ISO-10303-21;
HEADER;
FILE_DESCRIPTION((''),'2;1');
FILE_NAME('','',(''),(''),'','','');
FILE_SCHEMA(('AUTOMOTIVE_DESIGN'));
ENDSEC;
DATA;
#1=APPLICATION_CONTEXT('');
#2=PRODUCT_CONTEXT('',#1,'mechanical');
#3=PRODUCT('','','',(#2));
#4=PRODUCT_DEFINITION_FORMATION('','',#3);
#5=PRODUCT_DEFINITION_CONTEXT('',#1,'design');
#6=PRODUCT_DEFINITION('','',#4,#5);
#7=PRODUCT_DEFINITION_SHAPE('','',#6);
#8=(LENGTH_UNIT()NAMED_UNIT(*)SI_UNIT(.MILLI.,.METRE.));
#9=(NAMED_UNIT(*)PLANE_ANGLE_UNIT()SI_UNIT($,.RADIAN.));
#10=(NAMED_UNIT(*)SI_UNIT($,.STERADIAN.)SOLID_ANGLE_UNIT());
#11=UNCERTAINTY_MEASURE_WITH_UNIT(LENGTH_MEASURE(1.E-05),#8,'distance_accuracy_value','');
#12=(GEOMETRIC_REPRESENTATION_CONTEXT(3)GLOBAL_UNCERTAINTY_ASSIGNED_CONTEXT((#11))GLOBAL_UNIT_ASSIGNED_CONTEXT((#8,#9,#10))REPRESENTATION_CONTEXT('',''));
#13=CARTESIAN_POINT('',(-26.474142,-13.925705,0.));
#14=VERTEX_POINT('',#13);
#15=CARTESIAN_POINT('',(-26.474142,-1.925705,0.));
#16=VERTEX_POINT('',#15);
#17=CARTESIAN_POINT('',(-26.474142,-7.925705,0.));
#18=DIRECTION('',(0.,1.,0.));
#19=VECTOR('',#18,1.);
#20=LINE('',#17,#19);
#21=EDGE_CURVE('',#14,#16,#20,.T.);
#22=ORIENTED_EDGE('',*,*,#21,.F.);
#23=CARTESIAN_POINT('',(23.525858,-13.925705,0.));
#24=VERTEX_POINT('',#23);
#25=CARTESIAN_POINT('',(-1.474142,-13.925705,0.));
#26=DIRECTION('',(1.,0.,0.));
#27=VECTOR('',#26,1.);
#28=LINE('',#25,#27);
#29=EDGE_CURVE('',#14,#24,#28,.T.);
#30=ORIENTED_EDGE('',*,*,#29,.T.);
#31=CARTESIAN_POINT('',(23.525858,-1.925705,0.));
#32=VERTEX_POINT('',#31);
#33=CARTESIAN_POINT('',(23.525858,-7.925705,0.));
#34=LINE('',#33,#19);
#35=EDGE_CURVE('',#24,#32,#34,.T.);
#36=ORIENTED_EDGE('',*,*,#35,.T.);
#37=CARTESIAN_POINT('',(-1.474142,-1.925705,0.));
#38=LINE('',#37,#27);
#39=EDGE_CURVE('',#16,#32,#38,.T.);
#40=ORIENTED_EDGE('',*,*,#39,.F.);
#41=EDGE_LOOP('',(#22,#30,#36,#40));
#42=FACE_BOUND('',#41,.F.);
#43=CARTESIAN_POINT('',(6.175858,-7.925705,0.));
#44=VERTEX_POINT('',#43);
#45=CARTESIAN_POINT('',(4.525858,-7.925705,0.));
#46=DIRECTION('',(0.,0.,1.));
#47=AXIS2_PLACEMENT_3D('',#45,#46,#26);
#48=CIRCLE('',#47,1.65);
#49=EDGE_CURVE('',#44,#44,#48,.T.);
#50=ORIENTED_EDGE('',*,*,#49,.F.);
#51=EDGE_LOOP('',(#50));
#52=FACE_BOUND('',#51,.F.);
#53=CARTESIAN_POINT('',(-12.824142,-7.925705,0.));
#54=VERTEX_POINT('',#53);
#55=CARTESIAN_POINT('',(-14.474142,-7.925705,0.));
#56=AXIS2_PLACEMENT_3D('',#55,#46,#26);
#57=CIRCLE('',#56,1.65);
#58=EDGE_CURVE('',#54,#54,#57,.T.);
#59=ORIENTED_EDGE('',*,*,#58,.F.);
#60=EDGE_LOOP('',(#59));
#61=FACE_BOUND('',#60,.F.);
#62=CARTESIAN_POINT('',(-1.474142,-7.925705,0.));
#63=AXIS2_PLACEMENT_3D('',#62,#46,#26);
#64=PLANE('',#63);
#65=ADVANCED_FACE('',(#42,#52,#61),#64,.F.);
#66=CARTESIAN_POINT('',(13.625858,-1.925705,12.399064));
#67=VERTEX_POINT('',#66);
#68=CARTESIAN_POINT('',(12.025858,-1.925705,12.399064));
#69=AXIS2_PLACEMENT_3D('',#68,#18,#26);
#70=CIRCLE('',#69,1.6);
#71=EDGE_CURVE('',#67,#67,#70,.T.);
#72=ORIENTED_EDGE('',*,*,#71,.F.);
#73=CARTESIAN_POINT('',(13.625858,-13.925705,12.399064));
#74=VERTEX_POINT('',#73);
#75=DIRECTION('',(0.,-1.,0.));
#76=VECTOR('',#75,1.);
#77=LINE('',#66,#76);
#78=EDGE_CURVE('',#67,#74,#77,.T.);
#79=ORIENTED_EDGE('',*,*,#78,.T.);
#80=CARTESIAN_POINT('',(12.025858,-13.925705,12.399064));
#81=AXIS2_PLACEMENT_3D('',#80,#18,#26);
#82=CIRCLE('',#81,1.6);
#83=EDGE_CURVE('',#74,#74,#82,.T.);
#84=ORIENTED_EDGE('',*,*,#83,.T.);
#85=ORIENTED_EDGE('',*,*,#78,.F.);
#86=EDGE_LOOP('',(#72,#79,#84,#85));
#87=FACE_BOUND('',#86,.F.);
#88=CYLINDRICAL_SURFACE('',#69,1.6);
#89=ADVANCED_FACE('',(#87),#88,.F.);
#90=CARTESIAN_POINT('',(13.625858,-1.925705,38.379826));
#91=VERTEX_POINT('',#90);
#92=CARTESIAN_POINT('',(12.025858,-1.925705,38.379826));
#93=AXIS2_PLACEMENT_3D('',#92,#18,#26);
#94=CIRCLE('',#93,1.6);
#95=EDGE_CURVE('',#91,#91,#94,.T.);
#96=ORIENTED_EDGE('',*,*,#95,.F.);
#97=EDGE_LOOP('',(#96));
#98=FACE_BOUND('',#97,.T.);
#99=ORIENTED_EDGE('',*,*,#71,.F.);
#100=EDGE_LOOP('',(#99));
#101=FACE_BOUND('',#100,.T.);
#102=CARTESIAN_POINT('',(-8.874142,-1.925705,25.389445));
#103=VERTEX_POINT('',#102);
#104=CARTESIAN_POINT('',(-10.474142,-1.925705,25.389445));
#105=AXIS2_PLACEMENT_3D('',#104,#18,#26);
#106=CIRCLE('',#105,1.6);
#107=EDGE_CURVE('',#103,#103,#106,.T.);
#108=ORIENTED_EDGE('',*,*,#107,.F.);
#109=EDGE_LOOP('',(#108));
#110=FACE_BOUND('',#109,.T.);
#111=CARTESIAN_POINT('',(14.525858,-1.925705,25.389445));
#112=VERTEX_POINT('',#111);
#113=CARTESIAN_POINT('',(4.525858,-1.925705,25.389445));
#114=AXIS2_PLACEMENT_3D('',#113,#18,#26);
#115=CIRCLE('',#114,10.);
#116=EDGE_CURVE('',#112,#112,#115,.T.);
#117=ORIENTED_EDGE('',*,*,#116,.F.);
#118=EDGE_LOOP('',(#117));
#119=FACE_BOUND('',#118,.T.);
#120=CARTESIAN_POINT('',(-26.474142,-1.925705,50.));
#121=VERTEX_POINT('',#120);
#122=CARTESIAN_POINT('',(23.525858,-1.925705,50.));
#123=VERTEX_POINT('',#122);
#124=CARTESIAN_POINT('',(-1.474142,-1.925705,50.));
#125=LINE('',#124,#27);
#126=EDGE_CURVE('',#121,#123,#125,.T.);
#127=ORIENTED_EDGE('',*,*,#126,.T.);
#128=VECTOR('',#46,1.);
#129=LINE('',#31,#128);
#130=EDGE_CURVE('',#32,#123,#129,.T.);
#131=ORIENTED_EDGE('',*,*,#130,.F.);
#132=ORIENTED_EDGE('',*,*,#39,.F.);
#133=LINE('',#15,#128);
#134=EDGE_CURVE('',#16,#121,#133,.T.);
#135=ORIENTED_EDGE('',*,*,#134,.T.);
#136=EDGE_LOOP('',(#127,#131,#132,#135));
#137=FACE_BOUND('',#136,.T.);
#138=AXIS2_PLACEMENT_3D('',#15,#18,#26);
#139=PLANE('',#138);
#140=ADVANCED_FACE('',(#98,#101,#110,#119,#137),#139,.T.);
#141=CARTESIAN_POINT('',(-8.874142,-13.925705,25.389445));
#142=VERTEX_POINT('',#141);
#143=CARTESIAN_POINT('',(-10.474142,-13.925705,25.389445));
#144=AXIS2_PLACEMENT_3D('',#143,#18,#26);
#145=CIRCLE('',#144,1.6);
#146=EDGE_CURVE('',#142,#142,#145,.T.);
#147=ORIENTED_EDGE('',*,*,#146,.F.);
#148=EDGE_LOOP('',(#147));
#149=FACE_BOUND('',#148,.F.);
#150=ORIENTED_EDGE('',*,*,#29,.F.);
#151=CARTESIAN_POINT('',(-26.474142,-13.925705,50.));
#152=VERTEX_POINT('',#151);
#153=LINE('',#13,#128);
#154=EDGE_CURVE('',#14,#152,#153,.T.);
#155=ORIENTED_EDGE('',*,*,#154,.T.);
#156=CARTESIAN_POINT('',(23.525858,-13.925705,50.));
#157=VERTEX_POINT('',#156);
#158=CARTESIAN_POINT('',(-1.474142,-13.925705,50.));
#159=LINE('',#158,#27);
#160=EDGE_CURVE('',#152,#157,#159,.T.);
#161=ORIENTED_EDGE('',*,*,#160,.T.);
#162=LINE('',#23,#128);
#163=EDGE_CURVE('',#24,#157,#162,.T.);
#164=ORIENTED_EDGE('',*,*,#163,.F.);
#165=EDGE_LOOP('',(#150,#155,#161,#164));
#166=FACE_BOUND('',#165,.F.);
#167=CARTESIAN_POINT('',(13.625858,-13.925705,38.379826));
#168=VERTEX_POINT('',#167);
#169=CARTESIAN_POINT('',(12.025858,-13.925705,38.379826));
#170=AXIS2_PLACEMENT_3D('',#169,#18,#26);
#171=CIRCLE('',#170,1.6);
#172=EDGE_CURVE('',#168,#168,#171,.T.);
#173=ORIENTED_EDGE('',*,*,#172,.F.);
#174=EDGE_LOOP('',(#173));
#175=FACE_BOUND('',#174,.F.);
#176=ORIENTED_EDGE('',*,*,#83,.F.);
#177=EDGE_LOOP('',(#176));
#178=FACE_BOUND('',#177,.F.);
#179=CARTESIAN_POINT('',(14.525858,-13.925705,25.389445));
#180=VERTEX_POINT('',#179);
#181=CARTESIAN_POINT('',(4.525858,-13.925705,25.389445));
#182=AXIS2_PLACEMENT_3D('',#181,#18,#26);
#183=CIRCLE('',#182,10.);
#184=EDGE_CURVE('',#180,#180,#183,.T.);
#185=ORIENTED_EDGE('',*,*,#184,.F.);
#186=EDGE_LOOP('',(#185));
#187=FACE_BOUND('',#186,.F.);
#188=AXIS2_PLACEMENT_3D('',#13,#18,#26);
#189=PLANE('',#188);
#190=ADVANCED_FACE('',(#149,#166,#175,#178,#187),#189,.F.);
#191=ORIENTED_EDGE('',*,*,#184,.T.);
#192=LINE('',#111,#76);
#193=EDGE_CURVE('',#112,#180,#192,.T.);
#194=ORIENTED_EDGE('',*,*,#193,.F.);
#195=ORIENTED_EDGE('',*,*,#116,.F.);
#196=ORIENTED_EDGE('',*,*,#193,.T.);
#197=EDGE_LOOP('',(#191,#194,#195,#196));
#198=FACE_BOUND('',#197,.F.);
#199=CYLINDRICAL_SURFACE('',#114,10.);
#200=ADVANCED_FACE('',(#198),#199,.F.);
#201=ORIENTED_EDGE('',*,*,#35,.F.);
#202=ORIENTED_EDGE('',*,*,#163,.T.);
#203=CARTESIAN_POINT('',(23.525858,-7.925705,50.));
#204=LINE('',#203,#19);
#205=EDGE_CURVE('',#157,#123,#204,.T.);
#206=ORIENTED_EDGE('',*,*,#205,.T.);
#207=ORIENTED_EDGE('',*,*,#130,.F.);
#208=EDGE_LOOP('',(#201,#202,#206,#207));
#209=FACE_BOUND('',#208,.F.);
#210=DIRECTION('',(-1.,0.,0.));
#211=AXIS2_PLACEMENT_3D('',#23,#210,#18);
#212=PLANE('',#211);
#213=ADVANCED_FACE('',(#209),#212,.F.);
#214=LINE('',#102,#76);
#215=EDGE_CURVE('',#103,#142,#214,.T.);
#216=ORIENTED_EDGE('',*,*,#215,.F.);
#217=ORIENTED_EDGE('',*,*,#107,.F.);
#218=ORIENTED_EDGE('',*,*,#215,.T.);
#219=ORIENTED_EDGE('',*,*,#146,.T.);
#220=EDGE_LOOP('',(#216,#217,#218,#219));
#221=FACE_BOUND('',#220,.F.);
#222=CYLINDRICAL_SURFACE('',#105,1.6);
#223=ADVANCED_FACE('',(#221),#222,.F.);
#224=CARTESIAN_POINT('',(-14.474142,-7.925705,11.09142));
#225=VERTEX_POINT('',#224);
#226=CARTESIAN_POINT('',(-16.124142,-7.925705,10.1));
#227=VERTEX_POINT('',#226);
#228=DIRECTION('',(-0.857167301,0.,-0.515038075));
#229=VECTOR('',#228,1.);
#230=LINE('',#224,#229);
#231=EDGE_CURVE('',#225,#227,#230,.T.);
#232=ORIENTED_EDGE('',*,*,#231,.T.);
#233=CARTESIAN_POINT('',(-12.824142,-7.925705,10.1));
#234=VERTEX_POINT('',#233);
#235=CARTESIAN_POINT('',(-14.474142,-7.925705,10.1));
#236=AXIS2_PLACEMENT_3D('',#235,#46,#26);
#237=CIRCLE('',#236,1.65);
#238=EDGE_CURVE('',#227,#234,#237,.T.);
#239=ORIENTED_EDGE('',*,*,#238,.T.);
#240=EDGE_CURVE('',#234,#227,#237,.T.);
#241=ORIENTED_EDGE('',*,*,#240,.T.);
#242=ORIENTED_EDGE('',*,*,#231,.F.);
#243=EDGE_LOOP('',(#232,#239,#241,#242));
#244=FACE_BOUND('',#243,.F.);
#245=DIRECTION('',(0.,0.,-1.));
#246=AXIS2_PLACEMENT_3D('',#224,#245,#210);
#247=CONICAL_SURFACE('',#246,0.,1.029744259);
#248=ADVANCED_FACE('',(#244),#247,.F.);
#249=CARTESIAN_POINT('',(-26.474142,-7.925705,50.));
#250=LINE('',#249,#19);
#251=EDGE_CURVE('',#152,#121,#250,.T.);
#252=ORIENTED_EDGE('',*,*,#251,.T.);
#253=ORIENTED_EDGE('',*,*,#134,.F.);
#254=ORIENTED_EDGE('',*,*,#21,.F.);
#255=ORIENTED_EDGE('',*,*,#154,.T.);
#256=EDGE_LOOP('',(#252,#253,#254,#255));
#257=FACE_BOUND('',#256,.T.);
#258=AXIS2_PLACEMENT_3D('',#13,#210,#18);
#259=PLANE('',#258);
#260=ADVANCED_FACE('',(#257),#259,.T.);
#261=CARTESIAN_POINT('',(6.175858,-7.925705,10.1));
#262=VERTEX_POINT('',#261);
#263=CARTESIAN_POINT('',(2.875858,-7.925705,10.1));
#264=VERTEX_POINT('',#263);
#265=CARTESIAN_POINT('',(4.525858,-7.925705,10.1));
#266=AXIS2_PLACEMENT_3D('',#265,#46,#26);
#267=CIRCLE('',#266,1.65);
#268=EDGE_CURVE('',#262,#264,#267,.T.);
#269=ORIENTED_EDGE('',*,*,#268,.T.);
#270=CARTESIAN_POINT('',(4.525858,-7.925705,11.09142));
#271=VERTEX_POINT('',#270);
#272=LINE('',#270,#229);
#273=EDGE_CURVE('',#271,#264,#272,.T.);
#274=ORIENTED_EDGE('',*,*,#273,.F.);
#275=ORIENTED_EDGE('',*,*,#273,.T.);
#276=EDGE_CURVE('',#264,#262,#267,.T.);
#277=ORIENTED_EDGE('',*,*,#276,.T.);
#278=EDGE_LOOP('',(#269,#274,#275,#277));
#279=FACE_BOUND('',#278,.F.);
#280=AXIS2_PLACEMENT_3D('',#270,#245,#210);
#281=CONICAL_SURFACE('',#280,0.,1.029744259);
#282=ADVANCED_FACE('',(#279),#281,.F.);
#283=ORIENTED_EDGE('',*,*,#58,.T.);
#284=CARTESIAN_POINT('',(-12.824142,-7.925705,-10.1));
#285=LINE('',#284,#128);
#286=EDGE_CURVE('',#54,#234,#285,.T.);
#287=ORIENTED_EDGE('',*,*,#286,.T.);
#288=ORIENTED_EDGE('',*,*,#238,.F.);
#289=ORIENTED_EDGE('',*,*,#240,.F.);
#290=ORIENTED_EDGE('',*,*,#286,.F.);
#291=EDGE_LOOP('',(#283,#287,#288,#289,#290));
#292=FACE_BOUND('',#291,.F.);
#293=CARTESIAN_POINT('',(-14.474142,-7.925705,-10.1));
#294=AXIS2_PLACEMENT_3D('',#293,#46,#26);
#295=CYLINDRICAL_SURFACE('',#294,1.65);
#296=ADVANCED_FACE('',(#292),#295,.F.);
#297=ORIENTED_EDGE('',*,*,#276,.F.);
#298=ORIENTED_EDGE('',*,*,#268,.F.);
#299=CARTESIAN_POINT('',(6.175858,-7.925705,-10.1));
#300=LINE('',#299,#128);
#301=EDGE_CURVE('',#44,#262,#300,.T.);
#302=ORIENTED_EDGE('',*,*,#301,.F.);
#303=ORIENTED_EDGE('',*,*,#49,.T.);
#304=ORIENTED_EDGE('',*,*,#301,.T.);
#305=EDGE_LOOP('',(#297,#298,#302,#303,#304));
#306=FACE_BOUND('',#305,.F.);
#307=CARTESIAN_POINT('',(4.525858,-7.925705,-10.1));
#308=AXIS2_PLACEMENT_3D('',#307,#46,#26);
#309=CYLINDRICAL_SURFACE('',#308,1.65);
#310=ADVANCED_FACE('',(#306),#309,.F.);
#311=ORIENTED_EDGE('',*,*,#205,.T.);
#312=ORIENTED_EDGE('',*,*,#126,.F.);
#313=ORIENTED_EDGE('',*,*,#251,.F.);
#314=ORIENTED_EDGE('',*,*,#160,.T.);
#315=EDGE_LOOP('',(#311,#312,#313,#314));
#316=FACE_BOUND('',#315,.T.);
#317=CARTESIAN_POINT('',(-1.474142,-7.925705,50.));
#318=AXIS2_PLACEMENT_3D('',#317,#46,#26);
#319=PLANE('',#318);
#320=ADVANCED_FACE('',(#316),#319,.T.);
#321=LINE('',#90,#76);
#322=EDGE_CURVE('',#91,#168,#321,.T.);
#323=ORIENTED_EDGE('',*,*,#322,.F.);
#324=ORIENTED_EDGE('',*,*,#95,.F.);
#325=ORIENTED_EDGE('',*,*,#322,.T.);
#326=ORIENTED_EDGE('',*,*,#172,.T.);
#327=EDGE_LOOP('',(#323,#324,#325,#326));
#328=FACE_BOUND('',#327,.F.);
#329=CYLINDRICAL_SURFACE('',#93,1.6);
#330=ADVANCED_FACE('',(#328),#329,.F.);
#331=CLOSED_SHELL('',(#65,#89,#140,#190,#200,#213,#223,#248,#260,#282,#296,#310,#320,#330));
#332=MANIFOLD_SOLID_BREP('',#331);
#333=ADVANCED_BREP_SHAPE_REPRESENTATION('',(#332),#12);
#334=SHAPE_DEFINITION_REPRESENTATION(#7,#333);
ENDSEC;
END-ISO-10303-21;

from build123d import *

# Parameters (mm, degrees)
SKETCH_1_W             = 50
SKETCH_1_H             = 12
EXTRUDE_1_DEPTH        = 50
HOLE_WIZARD_M4_1_D     = 3.3
HOLE_WIZARD_M4_1_DEPTH = 10.1
HOLE_WIZARD_M4_1_TIP   = 0.991420021
SKETCH_5_R             = 10
SKETCH_5_R_2           = 1.6
CUT_EXTRUDE_1_DEPTH    = 50


with BuildPart() as part:
    # 草图1 → 凸台-拉伸1 (new body)
    with BuildSketch(Plane.XY):
        with Locations((-1.474142426, -7.925704975)):
            Rectangle(SKETCH_1_W, SKETCH_1_H)
    extrude(amount=EXTRUDE_1_DEPTH)

    # M4 螺纹孔1
    with Locations(Plane(origin=(0, 0, 0), x_dir=(-1, 0, 0), z_dir=(0, 0, -1))):
        with Locations((-4.525857574, -7.925704975), (14.474142426, -7.925704975)):
            Hole(HOLE_WIZARD_M4_1_D / 2, depth=HOLE_WIZARD_M4_1_DEPTH)
            with Locations((0, 0, -(HOLE_WIZARD_M4_1_DEPTH + HOLE_WIZARD_M4_1_TIP / 2))):  # 118° drill point
                Cone(0, HOLE_WIZARD_M4_1_D / 2, HOLE_WIZARD_M4_1_TIP, mode=Mode.SUBTRACT)

    # 草图5 → 切除-拉伸1 (cut)
    with BuildSketch(Plane(origin=(0, -1.925704975, 0), x_dir=(1, 0, 0), z_dir=(0, 1, 0))):
        with Locations((4.525857574, -25.389445239)):
            Circle(SKETCH_5_R)
        with Locations((12.025857574, -12.399064182)):
            Circle(SKETCH_5_R_2)
        with Locations((12.025857574, -38.379826296)):
            Circle(SKETCH_5_R_2)
        with Locations((-10.474142426, -25.389445239)):
            Circle(SKETCH_5_R_2)
    extrude(amount=-CUT_EXTRUDE_1_DEPTH, mode=Mode.SUBTRACT)


solid = part.part
